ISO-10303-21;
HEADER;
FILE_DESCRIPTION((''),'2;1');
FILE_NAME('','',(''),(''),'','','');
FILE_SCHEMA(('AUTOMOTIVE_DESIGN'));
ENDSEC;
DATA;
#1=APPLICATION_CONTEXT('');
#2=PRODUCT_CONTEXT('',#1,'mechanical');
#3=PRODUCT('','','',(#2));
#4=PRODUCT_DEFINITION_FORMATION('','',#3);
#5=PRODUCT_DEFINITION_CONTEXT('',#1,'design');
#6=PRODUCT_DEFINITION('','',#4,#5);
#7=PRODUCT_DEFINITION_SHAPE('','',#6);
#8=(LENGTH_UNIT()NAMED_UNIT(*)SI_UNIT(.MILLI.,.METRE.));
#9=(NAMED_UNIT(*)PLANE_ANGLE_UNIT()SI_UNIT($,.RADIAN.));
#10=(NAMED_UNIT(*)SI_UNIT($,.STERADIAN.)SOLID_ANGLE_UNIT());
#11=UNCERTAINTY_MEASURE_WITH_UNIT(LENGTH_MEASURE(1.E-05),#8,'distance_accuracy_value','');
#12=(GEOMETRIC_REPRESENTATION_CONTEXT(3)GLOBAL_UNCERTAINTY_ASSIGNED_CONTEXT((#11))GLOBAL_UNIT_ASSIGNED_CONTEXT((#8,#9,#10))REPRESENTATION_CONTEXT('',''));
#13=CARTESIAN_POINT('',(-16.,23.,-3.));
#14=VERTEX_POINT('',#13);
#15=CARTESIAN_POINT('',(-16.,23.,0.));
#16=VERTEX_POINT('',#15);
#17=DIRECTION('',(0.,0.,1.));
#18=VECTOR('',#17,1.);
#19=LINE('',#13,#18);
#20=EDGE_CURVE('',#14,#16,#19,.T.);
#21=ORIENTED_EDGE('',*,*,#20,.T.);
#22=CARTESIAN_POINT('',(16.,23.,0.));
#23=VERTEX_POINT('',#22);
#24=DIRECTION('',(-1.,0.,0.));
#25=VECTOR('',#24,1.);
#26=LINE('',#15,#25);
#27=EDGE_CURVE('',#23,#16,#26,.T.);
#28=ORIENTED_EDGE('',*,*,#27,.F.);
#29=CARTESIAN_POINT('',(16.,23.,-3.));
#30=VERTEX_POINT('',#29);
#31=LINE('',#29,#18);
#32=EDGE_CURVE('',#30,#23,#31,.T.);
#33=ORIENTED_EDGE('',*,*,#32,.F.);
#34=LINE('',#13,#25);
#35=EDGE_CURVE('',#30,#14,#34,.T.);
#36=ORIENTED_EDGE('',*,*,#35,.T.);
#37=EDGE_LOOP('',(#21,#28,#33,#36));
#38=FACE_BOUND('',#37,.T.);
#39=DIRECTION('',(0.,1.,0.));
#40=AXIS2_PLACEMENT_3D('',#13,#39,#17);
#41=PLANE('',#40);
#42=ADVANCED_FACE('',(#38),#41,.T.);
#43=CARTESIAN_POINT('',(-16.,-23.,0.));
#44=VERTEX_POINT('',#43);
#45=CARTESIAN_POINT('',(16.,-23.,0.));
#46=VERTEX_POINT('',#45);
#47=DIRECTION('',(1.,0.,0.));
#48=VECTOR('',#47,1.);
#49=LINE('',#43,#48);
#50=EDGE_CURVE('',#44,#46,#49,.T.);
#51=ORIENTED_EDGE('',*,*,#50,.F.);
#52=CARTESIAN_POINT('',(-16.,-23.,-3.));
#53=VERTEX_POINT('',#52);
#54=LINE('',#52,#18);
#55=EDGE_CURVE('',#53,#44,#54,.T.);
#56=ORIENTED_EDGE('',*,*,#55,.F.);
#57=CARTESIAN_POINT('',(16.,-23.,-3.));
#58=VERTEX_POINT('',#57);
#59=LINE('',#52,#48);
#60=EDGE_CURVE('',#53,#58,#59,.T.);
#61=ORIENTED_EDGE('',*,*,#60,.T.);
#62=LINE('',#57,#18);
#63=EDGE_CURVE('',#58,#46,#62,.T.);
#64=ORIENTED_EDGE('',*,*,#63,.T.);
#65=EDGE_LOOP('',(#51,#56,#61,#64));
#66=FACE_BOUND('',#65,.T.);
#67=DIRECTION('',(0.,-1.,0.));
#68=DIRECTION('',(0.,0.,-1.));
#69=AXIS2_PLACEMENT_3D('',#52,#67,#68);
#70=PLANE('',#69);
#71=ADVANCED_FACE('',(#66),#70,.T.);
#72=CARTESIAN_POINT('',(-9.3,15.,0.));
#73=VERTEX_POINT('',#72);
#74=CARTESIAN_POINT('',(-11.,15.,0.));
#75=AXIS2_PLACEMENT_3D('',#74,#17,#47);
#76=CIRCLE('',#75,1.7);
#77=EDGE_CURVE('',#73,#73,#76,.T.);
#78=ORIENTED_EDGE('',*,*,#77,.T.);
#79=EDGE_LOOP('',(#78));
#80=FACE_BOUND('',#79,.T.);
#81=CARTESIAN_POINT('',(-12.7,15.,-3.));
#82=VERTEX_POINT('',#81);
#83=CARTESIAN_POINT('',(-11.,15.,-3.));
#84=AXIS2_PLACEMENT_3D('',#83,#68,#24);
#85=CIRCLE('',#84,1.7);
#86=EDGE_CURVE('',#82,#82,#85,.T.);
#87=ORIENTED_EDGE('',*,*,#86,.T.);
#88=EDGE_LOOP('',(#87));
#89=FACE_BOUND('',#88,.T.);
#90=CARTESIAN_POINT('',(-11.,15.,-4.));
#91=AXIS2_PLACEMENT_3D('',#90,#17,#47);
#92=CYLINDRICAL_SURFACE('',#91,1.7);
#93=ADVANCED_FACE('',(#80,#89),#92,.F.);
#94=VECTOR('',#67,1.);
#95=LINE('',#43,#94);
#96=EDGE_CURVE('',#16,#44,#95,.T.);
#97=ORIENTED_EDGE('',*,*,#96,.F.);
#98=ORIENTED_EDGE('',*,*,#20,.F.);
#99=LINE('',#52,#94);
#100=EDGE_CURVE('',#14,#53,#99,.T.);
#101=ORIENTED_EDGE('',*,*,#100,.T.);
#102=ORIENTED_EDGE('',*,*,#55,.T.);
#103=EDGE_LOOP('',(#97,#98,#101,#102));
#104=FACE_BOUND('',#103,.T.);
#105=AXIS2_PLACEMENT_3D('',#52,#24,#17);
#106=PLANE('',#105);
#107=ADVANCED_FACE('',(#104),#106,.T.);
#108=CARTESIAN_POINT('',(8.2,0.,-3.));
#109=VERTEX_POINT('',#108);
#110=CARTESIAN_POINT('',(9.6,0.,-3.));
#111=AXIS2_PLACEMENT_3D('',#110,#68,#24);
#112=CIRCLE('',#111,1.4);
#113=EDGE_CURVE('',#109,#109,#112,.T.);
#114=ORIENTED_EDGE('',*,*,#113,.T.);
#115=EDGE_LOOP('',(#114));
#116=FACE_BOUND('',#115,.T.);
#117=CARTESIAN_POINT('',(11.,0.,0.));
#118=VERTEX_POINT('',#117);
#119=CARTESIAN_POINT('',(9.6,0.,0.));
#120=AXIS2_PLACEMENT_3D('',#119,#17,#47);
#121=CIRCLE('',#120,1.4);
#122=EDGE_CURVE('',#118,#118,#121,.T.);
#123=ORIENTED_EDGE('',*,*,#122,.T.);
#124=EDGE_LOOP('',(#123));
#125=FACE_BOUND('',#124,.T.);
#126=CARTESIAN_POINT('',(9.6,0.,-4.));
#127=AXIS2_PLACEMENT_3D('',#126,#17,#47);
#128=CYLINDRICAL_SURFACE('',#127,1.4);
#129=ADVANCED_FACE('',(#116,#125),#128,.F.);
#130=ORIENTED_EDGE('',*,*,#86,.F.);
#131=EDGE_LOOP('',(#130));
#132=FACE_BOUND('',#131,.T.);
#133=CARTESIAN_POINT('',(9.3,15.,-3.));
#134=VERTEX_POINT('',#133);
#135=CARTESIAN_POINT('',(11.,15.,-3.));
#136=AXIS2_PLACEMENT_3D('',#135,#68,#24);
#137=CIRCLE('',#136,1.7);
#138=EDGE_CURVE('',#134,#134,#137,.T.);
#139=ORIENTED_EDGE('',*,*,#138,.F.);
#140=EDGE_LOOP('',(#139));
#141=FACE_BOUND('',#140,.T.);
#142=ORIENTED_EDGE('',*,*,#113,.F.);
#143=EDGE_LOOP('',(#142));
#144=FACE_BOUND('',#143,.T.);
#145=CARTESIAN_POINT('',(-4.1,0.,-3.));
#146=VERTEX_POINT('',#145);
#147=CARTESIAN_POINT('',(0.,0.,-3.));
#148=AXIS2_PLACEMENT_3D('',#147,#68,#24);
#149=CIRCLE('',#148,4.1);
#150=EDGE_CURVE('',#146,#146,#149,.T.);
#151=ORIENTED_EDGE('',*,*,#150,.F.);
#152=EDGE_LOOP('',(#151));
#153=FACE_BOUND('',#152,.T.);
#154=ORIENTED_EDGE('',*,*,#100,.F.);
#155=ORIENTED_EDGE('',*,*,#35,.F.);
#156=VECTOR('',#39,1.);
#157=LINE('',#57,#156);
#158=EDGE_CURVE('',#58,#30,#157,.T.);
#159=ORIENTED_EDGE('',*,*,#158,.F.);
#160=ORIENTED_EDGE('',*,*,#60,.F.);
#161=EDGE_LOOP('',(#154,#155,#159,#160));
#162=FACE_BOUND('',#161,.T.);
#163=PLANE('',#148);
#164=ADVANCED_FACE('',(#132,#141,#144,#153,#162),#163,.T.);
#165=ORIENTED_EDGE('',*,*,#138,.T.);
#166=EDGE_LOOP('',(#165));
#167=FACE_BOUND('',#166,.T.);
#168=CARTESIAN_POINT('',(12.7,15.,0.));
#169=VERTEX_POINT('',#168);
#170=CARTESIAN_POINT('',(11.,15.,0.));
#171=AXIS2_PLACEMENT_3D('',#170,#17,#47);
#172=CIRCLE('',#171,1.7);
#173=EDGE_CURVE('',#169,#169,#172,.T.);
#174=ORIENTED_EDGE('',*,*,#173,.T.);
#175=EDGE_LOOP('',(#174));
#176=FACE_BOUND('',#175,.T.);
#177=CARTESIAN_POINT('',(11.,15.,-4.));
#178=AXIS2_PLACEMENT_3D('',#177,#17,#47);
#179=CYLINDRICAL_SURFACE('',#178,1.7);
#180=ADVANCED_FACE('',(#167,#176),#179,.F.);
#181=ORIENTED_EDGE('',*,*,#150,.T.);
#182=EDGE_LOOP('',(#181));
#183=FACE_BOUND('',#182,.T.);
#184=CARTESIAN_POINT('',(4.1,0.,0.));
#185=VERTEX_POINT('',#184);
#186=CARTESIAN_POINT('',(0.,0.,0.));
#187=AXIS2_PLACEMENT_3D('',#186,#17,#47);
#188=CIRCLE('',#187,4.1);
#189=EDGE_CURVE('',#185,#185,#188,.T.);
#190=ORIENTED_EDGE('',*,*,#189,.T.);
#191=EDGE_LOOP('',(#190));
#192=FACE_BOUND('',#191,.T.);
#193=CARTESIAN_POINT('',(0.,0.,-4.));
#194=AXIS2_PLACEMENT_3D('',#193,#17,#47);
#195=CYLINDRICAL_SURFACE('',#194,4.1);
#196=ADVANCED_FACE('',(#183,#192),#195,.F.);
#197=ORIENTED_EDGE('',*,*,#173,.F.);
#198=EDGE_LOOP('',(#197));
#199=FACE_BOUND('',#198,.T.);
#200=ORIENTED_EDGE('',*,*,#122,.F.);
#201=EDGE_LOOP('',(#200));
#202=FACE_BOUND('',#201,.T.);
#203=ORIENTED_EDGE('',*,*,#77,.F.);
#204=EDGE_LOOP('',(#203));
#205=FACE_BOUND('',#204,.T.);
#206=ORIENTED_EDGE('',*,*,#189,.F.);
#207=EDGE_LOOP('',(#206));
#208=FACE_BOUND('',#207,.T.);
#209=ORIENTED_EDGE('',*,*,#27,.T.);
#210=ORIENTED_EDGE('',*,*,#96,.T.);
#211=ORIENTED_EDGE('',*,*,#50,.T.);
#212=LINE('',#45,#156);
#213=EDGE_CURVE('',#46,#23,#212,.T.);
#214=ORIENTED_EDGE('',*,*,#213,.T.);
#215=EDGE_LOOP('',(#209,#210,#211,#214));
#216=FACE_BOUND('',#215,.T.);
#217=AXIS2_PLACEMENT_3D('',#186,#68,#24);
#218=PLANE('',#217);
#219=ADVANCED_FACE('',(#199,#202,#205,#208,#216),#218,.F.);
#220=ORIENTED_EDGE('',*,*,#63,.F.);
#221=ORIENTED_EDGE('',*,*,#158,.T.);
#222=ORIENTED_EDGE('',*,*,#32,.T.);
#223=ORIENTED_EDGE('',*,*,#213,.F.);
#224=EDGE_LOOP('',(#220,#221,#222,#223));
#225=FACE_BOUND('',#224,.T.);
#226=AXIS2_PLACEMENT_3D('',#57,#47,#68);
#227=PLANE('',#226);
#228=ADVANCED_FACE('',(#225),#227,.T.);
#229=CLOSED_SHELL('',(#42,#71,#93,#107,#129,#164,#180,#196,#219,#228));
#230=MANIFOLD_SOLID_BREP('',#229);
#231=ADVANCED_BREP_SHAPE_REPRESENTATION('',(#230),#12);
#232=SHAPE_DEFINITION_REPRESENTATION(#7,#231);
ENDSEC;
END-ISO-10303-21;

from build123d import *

# Parameters (mm, degrees)
SKETCH_1_W          = 32
SKETCH_1_H          = 46
EXTRUDE_1_DEPTH     = 3
SKETCH_2_R          = 4.1
SKETCH_2_R_2        = 1.4
CUT_EXTRUDE_1_DEPTH = 4
SKETCH_3_R          = 1.7
CUT_EXTRUDE_2_DEPTH = 4


with BuildPart() as part:
    # 草图1 → 凸台-拉伸1 (new body)
    with BuildSketch(Plane.XY):
        Rectangle(SKETCH_1_W, SKETCH_1_H)
    extrude(amount=-EXTRUDE_1_DEPTH)

    # 草图2 → 切除-拉伸1 (cut)
    with BuildSketch(Plane.XY):
        Circle(SKETCH_2_R)
        with Locations((9.6, 0)):
            Circle(SKETCH_2_R_2)
    extrude(amount=-CUT_EXTRUDE_1_DEPTH, mode=Mode.SUBTRACT)

    # 草图3 → 切除-拉伸2 (cut)
    with BuildSketch(Plane.XY):
        with Locations((-11, 15)):
            Circle(SKETCH_3_R)
        with Locations((11, 15)):
            Circle(SKETCH_3_R)
    extrude(amount=-CUT_EXTRUDE_2_DEPTH, mode=Mode.SUBTRACT)


solid = part.part
